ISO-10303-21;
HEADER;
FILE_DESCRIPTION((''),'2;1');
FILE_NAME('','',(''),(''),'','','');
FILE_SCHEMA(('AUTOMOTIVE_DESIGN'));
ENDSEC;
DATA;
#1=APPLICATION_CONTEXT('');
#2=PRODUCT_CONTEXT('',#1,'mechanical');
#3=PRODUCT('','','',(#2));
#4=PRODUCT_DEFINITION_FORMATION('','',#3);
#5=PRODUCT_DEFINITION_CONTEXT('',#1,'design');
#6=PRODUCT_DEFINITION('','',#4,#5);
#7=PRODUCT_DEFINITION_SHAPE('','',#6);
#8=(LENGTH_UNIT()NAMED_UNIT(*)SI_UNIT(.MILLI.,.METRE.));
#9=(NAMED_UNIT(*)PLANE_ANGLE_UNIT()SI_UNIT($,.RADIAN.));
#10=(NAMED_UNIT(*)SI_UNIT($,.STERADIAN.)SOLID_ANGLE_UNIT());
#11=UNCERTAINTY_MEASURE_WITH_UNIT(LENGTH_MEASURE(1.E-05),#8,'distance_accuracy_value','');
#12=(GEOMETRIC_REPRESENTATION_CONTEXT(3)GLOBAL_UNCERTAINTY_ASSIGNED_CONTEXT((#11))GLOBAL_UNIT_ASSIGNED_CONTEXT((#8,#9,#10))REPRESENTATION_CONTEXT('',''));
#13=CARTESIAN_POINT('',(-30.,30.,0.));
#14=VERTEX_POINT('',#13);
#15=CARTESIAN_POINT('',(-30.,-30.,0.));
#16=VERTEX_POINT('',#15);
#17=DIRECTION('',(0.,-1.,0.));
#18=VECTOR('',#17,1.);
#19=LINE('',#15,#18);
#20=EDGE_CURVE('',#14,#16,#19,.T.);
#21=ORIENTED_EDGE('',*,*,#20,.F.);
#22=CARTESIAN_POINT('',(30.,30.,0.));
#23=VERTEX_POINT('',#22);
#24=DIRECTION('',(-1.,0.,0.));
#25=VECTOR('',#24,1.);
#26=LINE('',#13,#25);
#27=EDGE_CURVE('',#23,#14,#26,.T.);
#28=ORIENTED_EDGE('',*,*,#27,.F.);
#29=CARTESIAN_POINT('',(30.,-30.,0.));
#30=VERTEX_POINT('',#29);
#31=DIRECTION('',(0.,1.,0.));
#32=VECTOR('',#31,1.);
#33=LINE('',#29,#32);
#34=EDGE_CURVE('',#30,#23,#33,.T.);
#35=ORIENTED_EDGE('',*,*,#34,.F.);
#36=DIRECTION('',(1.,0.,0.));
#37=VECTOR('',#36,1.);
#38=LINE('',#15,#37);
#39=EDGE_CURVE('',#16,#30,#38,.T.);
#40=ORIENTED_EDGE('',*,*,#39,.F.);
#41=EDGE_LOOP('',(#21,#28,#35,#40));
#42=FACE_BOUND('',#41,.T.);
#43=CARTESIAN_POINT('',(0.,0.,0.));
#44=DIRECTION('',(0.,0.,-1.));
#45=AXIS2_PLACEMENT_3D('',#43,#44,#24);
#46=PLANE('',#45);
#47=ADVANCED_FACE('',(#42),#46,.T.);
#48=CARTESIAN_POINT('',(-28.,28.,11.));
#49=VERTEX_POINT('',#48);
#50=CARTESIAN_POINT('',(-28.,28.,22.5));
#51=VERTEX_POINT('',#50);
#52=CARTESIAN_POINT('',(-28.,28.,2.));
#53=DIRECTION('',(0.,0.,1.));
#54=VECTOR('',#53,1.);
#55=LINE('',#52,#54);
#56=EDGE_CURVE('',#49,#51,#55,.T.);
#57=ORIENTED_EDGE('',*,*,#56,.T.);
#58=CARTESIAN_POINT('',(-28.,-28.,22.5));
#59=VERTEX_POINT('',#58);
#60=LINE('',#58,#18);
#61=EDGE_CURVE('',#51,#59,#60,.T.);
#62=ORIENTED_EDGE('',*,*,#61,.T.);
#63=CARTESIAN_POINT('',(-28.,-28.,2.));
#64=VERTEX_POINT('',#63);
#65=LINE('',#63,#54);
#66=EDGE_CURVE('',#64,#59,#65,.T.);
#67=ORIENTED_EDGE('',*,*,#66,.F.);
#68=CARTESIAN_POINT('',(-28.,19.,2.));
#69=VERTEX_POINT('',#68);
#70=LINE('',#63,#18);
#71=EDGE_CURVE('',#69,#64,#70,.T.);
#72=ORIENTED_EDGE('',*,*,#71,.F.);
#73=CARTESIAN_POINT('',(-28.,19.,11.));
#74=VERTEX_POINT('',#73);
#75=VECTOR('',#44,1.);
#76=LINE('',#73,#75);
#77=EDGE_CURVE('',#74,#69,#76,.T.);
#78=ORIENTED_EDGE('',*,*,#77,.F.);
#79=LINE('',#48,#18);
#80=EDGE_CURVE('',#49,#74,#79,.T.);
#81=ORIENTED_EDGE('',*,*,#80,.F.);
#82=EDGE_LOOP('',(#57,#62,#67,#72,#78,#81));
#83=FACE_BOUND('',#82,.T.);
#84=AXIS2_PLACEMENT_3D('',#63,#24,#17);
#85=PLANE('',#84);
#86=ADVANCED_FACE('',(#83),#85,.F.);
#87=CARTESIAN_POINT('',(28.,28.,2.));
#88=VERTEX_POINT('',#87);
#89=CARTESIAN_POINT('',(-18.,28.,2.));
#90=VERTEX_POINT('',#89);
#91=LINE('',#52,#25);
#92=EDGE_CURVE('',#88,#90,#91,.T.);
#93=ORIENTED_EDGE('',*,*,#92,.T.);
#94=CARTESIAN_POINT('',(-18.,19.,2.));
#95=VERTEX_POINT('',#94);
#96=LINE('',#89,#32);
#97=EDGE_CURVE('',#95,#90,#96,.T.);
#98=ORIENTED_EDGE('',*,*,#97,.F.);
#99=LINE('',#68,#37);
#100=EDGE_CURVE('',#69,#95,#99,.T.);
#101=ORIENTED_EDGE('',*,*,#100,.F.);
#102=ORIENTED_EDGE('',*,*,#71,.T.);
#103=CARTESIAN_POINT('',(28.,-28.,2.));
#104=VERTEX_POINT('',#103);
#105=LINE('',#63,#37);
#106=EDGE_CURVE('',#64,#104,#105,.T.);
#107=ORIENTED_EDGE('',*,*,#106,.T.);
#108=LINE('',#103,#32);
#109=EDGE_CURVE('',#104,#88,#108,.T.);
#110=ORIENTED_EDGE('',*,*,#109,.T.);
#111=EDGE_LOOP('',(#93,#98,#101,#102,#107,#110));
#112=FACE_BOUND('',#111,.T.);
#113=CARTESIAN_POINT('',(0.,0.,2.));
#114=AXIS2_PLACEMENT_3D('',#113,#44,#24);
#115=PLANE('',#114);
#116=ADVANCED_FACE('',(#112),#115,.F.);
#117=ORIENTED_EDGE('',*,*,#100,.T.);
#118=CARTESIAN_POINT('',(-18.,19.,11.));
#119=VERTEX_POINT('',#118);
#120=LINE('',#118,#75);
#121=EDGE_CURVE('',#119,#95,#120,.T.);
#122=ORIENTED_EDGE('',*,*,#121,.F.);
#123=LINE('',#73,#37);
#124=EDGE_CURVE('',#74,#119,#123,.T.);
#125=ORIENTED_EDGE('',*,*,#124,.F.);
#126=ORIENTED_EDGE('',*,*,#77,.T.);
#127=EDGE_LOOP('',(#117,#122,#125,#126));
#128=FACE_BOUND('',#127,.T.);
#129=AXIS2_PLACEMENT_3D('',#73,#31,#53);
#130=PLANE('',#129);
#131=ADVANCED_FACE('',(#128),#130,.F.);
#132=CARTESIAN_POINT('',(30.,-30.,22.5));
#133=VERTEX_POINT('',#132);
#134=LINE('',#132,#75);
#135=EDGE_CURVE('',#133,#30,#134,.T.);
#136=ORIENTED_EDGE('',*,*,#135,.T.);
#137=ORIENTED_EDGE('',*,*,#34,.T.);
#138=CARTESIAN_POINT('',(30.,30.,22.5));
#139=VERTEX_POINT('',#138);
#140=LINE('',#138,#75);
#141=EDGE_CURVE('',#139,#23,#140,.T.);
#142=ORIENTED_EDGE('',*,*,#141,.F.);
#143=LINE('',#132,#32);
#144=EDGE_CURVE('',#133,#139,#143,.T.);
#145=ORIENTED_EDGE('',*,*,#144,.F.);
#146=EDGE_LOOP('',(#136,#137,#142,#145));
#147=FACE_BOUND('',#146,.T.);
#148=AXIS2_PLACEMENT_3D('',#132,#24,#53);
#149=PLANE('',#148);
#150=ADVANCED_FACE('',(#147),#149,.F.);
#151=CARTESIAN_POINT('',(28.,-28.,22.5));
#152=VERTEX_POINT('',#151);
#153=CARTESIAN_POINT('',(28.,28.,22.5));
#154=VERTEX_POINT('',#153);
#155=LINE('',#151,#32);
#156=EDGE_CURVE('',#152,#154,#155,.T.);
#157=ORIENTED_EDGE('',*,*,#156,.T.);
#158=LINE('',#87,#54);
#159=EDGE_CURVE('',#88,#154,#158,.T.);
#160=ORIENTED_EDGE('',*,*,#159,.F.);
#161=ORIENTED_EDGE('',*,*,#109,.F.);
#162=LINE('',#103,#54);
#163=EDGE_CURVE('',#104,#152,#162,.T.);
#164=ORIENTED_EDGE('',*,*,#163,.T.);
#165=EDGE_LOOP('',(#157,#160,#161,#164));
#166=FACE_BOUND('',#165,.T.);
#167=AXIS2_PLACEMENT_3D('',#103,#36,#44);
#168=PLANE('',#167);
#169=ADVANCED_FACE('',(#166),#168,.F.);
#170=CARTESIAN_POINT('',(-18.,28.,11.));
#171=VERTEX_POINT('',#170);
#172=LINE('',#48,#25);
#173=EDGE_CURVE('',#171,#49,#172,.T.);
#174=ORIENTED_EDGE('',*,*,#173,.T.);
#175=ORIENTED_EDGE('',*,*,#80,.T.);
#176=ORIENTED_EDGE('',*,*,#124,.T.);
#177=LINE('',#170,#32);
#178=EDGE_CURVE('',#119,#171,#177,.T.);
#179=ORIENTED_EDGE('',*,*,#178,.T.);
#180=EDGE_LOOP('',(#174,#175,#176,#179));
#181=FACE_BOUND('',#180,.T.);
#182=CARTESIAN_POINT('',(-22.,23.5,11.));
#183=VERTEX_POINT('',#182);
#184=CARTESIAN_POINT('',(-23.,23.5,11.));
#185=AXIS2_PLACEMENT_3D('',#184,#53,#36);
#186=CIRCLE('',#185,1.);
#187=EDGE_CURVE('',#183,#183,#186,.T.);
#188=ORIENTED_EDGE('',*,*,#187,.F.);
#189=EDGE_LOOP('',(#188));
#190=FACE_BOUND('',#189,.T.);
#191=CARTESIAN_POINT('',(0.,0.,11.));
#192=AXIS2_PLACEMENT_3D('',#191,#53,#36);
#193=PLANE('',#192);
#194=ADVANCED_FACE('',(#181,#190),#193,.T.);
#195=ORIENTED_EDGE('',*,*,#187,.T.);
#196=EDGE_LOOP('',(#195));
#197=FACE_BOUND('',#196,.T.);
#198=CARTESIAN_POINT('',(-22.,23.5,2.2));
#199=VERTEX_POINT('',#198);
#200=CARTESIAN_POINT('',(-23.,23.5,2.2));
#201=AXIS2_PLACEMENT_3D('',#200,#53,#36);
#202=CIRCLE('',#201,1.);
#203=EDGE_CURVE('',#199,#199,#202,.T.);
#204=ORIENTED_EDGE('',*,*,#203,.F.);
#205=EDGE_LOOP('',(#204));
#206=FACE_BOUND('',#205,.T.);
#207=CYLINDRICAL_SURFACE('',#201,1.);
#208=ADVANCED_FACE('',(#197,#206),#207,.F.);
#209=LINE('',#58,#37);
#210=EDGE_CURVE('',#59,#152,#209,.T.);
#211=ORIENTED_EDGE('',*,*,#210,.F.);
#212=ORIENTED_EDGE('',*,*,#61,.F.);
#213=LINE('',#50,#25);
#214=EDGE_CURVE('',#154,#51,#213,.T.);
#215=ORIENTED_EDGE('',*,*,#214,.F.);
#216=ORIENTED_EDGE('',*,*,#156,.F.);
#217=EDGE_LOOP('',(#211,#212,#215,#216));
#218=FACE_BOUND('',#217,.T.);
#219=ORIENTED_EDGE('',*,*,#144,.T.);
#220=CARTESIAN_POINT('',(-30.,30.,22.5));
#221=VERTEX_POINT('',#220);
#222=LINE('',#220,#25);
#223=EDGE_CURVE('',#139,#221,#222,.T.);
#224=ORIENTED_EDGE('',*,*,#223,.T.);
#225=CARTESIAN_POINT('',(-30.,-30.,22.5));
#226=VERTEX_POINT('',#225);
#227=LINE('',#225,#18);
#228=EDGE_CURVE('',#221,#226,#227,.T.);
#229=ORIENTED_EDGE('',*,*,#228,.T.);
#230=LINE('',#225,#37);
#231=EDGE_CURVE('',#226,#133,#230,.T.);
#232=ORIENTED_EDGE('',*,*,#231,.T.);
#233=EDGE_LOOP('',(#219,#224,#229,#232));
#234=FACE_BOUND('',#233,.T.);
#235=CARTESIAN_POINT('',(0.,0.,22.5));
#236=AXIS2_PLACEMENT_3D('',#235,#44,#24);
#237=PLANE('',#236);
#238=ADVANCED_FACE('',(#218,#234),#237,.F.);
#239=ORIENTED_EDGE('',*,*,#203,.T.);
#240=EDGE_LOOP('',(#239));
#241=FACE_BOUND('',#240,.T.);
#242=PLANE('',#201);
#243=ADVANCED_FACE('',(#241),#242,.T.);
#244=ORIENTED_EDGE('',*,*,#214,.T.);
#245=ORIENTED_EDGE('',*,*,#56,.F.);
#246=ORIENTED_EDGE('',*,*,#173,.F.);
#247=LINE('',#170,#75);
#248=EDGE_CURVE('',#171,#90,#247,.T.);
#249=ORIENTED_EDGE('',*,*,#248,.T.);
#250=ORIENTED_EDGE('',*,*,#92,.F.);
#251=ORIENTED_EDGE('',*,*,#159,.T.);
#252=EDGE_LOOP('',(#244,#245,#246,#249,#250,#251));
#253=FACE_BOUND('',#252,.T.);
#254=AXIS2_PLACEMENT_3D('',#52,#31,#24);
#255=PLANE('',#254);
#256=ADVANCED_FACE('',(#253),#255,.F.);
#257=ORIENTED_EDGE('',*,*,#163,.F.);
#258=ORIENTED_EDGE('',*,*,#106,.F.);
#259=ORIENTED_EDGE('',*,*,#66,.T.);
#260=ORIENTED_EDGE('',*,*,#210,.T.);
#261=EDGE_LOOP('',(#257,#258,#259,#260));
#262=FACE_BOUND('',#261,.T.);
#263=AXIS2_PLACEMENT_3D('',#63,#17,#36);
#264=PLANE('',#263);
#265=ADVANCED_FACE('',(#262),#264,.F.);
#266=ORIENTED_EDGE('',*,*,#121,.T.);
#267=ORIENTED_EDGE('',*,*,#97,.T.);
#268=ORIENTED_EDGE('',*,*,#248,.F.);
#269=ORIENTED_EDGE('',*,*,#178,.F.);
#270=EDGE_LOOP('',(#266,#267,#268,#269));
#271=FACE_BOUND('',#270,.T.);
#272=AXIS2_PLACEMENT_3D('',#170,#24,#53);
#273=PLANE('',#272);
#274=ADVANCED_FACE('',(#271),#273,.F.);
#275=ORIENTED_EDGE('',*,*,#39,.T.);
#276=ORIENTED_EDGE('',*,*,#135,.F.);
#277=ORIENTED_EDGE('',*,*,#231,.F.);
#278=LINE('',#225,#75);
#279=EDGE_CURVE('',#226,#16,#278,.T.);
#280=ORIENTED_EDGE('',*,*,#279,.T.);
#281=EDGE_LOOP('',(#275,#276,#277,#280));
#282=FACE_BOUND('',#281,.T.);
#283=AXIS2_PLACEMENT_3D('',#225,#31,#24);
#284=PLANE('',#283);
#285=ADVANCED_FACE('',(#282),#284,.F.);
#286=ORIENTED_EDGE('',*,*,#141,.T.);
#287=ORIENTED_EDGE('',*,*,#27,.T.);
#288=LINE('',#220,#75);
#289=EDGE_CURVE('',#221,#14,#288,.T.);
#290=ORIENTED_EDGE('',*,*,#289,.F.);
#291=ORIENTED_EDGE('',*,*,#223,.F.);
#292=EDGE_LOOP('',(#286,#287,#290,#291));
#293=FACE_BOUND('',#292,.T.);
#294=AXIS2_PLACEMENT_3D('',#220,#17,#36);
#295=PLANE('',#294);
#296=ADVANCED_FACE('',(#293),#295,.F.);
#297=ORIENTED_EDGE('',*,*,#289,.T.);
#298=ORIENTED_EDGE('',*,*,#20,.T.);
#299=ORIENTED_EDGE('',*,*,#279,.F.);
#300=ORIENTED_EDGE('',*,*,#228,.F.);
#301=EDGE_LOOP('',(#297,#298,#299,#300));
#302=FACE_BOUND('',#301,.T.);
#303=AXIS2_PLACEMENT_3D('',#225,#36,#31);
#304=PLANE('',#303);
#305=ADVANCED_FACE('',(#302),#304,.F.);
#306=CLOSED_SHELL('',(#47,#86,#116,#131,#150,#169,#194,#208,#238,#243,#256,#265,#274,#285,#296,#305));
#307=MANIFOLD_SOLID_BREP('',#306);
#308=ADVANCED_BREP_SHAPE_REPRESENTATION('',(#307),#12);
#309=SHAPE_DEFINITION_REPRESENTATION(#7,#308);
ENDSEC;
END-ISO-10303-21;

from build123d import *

# Parameters (mm, degrees)
SKETCH_1_W          = 60
SKETCH_1_H          = 60
EXTRUDE_300_DEPTH   = 22.5
SKETCH_2_W          = 56
SKETCH_2_H          = 56
CUT_EXTRUDE_1_DEPTH = 20.5
SKETCH_4_W          = 10
SKETCH_4_H          = 9
EXTRUDE_2_DEPTH     = 9
SKETCH_5_R          = 1
CUT_EXTRUDE_2_DEPTH = 8.8


with BuildPart() as part:
    # Эскиз1 → Extrude 300 (new body)
    with BuildSketch(Plane.XY):
        Rectangle(SKETCH_1_W, SKETCH_1_H)
    extrude(amount=EXTRUDE_300_DEPTH)

    # Эскиз2 → Вырез-Вытянуть1 (cut)
    with BuildSketch(Plane.XY.offset(22.5)):
        Rectangle(SKETCH_2_W, SKETCH_2_H)
    extrude(amount=-CUT_EXTRUDE_1_DEPTH, mode=Mode.SUBTRACT)

    # Эскиз4 → Бобышка-Вытянуть2 (add)
    with BuildSketch(Plane.XY.offset(2)):
        with Locations((-23, 23.5)):
            Rectangle(SKETCH_4_W, SKETCH_4_H)
    extrude(amount=EXTRUDE_2_DEPTH)

    # Эскиз5 → Вырез-Вытянуть2 (cut)
    with BuildSketch(Plane.XY.offset(11)):
        with Locations((-23, 23.5)):
            Circle(SKETCH_5_R)
    extrude(amount=-CUT_EXTRUDE_2_DEPTH, mode=Mode.SUBTRACT)


solid = part.part
